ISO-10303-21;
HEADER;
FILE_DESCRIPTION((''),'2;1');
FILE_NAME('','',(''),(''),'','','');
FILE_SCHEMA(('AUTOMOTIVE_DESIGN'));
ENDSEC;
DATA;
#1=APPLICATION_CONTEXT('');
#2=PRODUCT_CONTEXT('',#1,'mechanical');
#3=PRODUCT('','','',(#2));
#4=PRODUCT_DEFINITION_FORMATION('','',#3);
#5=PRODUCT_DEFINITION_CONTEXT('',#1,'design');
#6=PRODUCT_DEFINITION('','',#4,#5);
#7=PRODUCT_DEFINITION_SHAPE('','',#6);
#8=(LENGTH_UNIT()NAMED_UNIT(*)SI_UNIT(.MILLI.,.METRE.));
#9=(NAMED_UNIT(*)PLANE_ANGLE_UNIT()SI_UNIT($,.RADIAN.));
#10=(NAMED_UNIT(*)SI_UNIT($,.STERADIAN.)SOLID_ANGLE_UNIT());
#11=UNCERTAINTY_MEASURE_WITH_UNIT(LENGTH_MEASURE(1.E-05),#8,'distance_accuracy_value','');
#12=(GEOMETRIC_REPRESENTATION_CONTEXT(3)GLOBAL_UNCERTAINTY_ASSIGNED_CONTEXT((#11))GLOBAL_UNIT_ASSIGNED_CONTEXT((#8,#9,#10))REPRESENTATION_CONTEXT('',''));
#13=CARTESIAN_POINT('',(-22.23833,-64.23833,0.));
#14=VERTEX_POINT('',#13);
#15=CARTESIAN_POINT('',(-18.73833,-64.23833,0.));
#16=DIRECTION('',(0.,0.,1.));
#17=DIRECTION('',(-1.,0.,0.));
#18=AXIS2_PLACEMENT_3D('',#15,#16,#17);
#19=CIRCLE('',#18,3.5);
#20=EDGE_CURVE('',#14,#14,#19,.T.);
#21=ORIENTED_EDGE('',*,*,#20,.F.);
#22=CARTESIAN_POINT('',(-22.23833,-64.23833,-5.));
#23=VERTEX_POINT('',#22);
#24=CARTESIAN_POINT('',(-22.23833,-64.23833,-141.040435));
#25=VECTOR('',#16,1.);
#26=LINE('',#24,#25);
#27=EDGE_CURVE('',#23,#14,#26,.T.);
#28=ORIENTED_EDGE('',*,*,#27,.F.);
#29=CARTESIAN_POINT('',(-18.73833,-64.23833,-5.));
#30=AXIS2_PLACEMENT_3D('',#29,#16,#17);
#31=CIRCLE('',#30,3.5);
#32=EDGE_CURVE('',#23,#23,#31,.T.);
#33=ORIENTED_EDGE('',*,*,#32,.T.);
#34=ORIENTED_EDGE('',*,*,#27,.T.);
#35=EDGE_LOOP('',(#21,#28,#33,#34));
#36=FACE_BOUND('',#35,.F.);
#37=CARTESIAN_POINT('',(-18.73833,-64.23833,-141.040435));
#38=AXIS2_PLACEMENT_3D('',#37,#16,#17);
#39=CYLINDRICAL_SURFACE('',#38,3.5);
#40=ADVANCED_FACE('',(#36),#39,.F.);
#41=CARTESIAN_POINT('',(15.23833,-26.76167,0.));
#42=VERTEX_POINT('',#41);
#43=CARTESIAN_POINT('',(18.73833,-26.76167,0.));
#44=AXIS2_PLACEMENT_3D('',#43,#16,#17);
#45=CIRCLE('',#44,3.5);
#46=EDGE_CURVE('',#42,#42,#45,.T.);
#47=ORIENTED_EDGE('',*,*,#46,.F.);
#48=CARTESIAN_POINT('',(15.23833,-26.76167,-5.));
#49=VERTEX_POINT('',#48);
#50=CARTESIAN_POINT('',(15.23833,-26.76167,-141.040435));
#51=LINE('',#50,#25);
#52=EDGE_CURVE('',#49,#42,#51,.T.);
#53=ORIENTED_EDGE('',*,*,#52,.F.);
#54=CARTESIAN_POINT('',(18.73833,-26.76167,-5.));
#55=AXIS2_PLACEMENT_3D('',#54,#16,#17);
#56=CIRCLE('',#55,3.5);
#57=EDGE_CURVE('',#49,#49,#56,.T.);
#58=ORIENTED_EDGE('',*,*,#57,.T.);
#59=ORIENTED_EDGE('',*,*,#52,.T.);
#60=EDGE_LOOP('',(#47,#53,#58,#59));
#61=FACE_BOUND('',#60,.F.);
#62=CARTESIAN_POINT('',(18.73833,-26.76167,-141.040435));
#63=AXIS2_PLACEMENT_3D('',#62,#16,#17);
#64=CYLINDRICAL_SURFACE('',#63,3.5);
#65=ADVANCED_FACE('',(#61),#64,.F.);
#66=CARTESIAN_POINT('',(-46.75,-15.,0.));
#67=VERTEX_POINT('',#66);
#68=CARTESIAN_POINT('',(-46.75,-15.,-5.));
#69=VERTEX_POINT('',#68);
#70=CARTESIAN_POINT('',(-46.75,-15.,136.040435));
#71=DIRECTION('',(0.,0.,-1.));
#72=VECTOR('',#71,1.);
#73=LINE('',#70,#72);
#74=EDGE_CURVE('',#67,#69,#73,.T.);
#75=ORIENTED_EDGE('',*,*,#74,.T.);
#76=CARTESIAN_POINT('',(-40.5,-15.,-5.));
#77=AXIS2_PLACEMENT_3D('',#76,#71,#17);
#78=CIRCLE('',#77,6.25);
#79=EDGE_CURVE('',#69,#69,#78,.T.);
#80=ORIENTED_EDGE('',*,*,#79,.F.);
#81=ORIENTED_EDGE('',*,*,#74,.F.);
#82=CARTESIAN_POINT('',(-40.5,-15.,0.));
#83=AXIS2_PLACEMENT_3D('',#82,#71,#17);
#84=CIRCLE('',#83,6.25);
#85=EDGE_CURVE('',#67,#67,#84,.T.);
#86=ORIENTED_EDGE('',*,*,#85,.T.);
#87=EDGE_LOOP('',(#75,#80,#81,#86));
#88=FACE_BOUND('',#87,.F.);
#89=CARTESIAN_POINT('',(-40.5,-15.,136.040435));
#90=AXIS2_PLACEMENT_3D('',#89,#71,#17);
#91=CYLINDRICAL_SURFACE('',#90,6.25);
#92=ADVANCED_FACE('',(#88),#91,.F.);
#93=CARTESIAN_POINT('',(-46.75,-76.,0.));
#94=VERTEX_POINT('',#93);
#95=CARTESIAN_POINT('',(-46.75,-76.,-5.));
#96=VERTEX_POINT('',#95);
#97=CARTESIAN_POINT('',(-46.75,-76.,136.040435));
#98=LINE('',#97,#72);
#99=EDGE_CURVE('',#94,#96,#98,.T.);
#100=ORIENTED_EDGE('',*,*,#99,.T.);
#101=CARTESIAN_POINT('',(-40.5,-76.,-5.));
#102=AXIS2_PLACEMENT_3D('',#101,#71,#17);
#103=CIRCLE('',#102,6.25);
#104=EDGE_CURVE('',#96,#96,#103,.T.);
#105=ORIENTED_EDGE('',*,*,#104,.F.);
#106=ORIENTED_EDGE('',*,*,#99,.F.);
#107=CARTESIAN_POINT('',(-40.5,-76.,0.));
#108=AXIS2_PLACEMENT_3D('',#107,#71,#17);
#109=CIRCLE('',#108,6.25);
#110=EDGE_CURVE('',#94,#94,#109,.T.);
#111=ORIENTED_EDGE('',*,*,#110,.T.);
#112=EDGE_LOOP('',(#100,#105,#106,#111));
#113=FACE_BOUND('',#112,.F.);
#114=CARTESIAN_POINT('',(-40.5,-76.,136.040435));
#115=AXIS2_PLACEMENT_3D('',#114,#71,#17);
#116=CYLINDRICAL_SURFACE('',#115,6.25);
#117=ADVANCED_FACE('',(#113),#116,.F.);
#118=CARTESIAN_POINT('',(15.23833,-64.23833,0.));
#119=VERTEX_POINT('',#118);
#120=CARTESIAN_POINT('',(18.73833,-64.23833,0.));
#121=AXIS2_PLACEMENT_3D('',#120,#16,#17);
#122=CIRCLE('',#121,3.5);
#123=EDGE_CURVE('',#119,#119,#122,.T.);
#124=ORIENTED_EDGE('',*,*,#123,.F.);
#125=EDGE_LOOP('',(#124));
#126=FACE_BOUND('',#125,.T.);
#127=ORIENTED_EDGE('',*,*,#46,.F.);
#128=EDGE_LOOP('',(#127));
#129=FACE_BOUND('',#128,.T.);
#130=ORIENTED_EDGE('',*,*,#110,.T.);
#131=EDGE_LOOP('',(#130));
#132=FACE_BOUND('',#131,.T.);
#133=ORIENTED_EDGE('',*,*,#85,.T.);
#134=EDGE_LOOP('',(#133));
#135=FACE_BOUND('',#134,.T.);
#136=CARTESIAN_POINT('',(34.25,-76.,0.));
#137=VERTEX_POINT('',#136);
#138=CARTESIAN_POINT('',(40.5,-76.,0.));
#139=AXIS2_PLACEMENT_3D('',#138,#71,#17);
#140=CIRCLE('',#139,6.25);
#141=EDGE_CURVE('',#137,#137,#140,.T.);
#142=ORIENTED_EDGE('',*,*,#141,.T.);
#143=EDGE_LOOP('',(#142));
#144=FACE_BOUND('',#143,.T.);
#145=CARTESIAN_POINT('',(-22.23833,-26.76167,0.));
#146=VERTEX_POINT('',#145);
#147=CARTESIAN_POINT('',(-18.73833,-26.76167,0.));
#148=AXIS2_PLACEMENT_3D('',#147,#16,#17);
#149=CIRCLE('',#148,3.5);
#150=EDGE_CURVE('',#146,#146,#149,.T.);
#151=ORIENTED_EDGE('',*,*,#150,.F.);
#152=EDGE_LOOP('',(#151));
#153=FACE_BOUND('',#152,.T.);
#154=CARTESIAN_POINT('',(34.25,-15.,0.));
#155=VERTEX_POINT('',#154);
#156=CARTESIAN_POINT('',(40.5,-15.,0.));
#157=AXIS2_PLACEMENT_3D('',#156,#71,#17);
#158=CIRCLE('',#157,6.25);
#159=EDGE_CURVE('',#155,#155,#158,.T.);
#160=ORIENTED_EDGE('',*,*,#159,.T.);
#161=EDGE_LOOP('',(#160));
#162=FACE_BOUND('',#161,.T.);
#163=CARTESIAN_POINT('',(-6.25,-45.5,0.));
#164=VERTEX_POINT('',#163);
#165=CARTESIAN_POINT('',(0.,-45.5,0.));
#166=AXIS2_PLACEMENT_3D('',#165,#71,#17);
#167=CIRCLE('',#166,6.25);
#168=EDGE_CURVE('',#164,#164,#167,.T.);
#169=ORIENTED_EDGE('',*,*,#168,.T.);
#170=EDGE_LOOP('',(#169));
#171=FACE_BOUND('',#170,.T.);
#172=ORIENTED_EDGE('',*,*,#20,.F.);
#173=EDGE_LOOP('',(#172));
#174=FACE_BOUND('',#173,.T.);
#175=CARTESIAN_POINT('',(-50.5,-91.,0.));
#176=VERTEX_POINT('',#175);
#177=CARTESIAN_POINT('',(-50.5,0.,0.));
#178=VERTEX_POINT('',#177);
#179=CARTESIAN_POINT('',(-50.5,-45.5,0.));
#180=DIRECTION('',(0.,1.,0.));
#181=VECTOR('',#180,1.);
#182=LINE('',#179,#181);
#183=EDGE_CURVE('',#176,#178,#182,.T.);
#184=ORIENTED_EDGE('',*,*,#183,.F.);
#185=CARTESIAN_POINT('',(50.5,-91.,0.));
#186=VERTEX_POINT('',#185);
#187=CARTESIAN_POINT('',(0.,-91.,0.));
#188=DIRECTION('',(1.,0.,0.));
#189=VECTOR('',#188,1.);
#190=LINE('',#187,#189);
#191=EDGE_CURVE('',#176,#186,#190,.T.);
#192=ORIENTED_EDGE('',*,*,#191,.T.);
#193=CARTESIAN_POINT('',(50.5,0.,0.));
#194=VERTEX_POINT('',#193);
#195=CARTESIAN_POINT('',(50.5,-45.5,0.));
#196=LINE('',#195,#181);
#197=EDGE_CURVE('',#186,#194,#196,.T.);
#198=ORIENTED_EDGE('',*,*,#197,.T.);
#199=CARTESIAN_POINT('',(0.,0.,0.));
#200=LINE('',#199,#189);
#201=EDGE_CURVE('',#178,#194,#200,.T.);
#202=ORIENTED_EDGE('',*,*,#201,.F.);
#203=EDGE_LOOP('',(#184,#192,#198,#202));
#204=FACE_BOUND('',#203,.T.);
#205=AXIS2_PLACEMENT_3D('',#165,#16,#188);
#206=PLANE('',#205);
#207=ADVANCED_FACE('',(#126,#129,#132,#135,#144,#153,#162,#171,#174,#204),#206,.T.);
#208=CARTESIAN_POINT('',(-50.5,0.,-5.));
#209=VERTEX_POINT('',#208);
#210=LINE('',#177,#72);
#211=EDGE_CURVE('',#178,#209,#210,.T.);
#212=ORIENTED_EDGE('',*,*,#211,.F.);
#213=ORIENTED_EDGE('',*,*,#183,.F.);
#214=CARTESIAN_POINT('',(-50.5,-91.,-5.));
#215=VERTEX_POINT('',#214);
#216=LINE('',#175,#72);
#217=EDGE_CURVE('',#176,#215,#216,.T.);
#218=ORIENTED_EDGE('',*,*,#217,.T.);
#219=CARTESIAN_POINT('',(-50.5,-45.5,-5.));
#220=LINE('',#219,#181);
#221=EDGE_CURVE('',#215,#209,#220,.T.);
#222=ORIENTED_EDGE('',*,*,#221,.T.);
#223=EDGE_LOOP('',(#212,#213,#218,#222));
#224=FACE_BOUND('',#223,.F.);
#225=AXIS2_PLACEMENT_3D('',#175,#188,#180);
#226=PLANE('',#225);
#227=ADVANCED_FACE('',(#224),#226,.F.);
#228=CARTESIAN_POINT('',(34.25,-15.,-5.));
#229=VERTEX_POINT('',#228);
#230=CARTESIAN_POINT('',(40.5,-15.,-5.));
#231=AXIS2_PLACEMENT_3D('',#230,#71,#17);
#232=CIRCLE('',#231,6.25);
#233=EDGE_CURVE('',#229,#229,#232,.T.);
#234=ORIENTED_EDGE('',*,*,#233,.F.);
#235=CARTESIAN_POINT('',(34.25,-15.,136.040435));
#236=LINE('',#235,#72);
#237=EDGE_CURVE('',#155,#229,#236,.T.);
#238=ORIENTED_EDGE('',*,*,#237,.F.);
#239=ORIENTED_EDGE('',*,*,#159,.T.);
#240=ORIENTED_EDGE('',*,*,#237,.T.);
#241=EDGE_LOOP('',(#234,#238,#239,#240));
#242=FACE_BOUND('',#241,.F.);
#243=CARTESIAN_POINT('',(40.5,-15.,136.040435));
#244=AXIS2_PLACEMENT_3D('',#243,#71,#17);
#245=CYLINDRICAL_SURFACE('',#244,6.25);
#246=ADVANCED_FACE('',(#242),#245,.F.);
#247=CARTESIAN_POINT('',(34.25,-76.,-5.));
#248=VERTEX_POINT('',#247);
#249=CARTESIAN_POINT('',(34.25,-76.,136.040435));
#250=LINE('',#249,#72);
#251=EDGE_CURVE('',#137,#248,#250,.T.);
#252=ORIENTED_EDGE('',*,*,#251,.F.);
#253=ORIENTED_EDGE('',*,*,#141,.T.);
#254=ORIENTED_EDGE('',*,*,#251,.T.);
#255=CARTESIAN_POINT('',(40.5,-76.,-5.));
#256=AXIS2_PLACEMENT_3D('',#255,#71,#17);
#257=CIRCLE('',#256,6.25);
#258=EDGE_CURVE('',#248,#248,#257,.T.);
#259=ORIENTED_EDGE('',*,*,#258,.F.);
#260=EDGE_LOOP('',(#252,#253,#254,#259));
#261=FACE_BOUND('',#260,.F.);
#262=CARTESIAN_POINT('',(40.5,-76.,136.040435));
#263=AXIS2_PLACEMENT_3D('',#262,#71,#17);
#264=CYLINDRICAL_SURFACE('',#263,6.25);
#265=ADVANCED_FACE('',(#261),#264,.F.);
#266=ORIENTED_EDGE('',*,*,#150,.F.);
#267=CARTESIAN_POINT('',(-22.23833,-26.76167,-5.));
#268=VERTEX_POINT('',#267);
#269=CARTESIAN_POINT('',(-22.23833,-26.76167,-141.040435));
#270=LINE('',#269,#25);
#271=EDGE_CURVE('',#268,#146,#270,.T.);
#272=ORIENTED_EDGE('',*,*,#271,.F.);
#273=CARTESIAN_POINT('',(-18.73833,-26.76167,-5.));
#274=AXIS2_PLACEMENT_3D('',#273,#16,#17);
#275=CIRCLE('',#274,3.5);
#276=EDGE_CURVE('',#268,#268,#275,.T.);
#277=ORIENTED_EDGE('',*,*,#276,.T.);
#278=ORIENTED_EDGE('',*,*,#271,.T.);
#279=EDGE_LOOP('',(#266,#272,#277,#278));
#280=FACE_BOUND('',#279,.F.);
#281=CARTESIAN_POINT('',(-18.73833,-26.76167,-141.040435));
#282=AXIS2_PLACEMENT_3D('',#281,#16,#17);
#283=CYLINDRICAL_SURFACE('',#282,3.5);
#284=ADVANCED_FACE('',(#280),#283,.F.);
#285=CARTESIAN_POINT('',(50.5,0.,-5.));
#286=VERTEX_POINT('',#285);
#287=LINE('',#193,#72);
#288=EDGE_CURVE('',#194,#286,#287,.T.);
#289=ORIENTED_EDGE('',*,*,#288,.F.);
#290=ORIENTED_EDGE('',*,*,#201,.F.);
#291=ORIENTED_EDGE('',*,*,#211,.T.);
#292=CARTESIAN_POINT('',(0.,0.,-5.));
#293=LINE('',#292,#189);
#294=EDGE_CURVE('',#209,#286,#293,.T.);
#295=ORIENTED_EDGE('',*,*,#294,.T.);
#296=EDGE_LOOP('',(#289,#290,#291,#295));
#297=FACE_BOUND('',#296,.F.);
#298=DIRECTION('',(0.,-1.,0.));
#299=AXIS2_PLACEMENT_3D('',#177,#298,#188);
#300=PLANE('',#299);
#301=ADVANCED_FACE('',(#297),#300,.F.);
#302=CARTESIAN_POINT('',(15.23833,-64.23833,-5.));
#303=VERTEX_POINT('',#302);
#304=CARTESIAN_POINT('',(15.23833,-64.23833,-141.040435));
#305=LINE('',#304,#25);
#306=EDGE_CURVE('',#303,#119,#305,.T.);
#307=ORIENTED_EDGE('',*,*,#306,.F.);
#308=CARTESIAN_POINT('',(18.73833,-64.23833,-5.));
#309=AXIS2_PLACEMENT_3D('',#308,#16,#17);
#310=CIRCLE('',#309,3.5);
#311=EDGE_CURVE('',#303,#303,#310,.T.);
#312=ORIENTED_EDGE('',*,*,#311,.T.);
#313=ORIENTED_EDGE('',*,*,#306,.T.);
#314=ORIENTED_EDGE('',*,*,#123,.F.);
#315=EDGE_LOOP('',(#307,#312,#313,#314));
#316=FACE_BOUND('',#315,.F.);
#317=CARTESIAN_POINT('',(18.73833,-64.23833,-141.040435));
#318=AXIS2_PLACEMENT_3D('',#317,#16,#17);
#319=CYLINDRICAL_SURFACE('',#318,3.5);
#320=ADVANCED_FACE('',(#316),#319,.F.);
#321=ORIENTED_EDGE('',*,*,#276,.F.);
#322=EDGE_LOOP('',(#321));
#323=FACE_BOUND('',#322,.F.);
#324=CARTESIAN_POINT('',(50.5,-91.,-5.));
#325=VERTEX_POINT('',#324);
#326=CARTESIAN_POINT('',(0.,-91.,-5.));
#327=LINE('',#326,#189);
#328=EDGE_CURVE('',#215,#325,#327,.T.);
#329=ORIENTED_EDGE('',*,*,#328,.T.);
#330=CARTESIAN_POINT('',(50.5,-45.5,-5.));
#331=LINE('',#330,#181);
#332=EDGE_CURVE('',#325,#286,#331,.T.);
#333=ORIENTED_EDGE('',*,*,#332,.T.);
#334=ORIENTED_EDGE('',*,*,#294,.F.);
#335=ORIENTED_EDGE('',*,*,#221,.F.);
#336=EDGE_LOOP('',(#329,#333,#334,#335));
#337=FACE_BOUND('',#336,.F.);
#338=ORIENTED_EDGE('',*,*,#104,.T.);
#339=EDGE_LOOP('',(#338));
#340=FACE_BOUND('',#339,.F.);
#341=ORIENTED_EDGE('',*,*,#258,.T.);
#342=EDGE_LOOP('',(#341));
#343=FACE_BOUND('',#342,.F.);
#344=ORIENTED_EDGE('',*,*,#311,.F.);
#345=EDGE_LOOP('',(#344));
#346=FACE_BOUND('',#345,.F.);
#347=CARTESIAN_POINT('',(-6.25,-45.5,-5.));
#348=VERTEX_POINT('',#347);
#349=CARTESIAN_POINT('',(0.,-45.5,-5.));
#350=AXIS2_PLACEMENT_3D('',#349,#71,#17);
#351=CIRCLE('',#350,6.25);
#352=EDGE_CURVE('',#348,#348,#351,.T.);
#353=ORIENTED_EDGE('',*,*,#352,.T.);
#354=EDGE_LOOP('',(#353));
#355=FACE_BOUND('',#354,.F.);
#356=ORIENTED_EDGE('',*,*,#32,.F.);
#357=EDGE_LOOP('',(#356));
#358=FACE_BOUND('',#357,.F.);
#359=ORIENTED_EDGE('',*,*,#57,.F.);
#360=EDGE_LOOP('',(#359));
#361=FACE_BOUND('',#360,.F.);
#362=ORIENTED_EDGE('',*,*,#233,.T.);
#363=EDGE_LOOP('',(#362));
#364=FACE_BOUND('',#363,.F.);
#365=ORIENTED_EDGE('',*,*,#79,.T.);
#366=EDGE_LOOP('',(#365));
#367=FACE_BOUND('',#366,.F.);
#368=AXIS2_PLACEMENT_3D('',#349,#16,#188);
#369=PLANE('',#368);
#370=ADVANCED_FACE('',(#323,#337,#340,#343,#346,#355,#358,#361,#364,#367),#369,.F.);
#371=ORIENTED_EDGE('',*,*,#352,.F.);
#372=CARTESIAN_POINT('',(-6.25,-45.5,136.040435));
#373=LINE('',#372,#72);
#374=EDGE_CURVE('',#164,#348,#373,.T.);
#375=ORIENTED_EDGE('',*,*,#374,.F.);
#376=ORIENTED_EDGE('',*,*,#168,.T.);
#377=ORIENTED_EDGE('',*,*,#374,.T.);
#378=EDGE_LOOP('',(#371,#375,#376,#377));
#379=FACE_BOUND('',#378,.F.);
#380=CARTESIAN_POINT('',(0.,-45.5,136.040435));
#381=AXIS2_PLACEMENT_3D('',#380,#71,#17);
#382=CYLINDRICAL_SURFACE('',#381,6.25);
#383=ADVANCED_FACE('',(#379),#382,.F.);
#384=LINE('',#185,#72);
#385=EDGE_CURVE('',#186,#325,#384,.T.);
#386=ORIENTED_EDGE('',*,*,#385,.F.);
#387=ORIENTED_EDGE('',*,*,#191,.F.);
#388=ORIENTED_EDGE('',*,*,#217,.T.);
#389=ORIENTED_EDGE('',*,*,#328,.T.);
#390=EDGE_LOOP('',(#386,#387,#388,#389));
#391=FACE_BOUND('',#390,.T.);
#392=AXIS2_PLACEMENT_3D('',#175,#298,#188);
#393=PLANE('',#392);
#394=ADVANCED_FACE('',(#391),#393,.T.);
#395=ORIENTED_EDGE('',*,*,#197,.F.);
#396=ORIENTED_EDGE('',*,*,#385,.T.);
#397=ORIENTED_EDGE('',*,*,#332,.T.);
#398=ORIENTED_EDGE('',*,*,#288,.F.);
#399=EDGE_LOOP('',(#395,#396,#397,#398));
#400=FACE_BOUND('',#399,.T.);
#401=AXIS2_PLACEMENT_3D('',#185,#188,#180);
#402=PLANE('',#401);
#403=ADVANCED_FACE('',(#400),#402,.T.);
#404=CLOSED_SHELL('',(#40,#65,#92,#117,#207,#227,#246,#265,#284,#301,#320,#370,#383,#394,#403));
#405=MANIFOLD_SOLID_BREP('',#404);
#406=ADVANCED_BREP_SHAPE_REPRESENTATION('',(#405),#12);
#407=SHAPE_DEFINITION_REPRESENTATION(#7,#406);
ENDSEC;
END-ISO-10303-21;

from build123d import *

# Parameters (mm, degrees)
F0_W     = 101
F0_H     = 91
F1_DEPTH = 5
F3_D     = 12.5
F5_D     = 7


with BuildPart() as f1:
    # F0 (on Top) → F1 (new body)
    with BuildSketch(Plane.XY):
        with Locations((0, -45.5)):
            Rectangle(F0_W, F0_H)
    extrude(amount=-F1_DEPTH)

    # F3 (through all)
    with Locations(Plane.XY):
        with Locations((-40.5, -76), (40.5, -76), (40.5, -15), (-40.5, -15), (0, -45.5)):
            Hole(F3_D / 2)

    # F5 (through all)
    with Locations(Plane(origin=(0, 0, -5), x_dir=(1, 0, 0), z_dir=(0, 0, -1))):
        with Locations((-18.73833, 64.23833), (-18.73833, 26.76167), (18.73833, 26.76167), (18.73833, 64.23833)):
            Hole(F5_D / 2)


solid = f1.part
